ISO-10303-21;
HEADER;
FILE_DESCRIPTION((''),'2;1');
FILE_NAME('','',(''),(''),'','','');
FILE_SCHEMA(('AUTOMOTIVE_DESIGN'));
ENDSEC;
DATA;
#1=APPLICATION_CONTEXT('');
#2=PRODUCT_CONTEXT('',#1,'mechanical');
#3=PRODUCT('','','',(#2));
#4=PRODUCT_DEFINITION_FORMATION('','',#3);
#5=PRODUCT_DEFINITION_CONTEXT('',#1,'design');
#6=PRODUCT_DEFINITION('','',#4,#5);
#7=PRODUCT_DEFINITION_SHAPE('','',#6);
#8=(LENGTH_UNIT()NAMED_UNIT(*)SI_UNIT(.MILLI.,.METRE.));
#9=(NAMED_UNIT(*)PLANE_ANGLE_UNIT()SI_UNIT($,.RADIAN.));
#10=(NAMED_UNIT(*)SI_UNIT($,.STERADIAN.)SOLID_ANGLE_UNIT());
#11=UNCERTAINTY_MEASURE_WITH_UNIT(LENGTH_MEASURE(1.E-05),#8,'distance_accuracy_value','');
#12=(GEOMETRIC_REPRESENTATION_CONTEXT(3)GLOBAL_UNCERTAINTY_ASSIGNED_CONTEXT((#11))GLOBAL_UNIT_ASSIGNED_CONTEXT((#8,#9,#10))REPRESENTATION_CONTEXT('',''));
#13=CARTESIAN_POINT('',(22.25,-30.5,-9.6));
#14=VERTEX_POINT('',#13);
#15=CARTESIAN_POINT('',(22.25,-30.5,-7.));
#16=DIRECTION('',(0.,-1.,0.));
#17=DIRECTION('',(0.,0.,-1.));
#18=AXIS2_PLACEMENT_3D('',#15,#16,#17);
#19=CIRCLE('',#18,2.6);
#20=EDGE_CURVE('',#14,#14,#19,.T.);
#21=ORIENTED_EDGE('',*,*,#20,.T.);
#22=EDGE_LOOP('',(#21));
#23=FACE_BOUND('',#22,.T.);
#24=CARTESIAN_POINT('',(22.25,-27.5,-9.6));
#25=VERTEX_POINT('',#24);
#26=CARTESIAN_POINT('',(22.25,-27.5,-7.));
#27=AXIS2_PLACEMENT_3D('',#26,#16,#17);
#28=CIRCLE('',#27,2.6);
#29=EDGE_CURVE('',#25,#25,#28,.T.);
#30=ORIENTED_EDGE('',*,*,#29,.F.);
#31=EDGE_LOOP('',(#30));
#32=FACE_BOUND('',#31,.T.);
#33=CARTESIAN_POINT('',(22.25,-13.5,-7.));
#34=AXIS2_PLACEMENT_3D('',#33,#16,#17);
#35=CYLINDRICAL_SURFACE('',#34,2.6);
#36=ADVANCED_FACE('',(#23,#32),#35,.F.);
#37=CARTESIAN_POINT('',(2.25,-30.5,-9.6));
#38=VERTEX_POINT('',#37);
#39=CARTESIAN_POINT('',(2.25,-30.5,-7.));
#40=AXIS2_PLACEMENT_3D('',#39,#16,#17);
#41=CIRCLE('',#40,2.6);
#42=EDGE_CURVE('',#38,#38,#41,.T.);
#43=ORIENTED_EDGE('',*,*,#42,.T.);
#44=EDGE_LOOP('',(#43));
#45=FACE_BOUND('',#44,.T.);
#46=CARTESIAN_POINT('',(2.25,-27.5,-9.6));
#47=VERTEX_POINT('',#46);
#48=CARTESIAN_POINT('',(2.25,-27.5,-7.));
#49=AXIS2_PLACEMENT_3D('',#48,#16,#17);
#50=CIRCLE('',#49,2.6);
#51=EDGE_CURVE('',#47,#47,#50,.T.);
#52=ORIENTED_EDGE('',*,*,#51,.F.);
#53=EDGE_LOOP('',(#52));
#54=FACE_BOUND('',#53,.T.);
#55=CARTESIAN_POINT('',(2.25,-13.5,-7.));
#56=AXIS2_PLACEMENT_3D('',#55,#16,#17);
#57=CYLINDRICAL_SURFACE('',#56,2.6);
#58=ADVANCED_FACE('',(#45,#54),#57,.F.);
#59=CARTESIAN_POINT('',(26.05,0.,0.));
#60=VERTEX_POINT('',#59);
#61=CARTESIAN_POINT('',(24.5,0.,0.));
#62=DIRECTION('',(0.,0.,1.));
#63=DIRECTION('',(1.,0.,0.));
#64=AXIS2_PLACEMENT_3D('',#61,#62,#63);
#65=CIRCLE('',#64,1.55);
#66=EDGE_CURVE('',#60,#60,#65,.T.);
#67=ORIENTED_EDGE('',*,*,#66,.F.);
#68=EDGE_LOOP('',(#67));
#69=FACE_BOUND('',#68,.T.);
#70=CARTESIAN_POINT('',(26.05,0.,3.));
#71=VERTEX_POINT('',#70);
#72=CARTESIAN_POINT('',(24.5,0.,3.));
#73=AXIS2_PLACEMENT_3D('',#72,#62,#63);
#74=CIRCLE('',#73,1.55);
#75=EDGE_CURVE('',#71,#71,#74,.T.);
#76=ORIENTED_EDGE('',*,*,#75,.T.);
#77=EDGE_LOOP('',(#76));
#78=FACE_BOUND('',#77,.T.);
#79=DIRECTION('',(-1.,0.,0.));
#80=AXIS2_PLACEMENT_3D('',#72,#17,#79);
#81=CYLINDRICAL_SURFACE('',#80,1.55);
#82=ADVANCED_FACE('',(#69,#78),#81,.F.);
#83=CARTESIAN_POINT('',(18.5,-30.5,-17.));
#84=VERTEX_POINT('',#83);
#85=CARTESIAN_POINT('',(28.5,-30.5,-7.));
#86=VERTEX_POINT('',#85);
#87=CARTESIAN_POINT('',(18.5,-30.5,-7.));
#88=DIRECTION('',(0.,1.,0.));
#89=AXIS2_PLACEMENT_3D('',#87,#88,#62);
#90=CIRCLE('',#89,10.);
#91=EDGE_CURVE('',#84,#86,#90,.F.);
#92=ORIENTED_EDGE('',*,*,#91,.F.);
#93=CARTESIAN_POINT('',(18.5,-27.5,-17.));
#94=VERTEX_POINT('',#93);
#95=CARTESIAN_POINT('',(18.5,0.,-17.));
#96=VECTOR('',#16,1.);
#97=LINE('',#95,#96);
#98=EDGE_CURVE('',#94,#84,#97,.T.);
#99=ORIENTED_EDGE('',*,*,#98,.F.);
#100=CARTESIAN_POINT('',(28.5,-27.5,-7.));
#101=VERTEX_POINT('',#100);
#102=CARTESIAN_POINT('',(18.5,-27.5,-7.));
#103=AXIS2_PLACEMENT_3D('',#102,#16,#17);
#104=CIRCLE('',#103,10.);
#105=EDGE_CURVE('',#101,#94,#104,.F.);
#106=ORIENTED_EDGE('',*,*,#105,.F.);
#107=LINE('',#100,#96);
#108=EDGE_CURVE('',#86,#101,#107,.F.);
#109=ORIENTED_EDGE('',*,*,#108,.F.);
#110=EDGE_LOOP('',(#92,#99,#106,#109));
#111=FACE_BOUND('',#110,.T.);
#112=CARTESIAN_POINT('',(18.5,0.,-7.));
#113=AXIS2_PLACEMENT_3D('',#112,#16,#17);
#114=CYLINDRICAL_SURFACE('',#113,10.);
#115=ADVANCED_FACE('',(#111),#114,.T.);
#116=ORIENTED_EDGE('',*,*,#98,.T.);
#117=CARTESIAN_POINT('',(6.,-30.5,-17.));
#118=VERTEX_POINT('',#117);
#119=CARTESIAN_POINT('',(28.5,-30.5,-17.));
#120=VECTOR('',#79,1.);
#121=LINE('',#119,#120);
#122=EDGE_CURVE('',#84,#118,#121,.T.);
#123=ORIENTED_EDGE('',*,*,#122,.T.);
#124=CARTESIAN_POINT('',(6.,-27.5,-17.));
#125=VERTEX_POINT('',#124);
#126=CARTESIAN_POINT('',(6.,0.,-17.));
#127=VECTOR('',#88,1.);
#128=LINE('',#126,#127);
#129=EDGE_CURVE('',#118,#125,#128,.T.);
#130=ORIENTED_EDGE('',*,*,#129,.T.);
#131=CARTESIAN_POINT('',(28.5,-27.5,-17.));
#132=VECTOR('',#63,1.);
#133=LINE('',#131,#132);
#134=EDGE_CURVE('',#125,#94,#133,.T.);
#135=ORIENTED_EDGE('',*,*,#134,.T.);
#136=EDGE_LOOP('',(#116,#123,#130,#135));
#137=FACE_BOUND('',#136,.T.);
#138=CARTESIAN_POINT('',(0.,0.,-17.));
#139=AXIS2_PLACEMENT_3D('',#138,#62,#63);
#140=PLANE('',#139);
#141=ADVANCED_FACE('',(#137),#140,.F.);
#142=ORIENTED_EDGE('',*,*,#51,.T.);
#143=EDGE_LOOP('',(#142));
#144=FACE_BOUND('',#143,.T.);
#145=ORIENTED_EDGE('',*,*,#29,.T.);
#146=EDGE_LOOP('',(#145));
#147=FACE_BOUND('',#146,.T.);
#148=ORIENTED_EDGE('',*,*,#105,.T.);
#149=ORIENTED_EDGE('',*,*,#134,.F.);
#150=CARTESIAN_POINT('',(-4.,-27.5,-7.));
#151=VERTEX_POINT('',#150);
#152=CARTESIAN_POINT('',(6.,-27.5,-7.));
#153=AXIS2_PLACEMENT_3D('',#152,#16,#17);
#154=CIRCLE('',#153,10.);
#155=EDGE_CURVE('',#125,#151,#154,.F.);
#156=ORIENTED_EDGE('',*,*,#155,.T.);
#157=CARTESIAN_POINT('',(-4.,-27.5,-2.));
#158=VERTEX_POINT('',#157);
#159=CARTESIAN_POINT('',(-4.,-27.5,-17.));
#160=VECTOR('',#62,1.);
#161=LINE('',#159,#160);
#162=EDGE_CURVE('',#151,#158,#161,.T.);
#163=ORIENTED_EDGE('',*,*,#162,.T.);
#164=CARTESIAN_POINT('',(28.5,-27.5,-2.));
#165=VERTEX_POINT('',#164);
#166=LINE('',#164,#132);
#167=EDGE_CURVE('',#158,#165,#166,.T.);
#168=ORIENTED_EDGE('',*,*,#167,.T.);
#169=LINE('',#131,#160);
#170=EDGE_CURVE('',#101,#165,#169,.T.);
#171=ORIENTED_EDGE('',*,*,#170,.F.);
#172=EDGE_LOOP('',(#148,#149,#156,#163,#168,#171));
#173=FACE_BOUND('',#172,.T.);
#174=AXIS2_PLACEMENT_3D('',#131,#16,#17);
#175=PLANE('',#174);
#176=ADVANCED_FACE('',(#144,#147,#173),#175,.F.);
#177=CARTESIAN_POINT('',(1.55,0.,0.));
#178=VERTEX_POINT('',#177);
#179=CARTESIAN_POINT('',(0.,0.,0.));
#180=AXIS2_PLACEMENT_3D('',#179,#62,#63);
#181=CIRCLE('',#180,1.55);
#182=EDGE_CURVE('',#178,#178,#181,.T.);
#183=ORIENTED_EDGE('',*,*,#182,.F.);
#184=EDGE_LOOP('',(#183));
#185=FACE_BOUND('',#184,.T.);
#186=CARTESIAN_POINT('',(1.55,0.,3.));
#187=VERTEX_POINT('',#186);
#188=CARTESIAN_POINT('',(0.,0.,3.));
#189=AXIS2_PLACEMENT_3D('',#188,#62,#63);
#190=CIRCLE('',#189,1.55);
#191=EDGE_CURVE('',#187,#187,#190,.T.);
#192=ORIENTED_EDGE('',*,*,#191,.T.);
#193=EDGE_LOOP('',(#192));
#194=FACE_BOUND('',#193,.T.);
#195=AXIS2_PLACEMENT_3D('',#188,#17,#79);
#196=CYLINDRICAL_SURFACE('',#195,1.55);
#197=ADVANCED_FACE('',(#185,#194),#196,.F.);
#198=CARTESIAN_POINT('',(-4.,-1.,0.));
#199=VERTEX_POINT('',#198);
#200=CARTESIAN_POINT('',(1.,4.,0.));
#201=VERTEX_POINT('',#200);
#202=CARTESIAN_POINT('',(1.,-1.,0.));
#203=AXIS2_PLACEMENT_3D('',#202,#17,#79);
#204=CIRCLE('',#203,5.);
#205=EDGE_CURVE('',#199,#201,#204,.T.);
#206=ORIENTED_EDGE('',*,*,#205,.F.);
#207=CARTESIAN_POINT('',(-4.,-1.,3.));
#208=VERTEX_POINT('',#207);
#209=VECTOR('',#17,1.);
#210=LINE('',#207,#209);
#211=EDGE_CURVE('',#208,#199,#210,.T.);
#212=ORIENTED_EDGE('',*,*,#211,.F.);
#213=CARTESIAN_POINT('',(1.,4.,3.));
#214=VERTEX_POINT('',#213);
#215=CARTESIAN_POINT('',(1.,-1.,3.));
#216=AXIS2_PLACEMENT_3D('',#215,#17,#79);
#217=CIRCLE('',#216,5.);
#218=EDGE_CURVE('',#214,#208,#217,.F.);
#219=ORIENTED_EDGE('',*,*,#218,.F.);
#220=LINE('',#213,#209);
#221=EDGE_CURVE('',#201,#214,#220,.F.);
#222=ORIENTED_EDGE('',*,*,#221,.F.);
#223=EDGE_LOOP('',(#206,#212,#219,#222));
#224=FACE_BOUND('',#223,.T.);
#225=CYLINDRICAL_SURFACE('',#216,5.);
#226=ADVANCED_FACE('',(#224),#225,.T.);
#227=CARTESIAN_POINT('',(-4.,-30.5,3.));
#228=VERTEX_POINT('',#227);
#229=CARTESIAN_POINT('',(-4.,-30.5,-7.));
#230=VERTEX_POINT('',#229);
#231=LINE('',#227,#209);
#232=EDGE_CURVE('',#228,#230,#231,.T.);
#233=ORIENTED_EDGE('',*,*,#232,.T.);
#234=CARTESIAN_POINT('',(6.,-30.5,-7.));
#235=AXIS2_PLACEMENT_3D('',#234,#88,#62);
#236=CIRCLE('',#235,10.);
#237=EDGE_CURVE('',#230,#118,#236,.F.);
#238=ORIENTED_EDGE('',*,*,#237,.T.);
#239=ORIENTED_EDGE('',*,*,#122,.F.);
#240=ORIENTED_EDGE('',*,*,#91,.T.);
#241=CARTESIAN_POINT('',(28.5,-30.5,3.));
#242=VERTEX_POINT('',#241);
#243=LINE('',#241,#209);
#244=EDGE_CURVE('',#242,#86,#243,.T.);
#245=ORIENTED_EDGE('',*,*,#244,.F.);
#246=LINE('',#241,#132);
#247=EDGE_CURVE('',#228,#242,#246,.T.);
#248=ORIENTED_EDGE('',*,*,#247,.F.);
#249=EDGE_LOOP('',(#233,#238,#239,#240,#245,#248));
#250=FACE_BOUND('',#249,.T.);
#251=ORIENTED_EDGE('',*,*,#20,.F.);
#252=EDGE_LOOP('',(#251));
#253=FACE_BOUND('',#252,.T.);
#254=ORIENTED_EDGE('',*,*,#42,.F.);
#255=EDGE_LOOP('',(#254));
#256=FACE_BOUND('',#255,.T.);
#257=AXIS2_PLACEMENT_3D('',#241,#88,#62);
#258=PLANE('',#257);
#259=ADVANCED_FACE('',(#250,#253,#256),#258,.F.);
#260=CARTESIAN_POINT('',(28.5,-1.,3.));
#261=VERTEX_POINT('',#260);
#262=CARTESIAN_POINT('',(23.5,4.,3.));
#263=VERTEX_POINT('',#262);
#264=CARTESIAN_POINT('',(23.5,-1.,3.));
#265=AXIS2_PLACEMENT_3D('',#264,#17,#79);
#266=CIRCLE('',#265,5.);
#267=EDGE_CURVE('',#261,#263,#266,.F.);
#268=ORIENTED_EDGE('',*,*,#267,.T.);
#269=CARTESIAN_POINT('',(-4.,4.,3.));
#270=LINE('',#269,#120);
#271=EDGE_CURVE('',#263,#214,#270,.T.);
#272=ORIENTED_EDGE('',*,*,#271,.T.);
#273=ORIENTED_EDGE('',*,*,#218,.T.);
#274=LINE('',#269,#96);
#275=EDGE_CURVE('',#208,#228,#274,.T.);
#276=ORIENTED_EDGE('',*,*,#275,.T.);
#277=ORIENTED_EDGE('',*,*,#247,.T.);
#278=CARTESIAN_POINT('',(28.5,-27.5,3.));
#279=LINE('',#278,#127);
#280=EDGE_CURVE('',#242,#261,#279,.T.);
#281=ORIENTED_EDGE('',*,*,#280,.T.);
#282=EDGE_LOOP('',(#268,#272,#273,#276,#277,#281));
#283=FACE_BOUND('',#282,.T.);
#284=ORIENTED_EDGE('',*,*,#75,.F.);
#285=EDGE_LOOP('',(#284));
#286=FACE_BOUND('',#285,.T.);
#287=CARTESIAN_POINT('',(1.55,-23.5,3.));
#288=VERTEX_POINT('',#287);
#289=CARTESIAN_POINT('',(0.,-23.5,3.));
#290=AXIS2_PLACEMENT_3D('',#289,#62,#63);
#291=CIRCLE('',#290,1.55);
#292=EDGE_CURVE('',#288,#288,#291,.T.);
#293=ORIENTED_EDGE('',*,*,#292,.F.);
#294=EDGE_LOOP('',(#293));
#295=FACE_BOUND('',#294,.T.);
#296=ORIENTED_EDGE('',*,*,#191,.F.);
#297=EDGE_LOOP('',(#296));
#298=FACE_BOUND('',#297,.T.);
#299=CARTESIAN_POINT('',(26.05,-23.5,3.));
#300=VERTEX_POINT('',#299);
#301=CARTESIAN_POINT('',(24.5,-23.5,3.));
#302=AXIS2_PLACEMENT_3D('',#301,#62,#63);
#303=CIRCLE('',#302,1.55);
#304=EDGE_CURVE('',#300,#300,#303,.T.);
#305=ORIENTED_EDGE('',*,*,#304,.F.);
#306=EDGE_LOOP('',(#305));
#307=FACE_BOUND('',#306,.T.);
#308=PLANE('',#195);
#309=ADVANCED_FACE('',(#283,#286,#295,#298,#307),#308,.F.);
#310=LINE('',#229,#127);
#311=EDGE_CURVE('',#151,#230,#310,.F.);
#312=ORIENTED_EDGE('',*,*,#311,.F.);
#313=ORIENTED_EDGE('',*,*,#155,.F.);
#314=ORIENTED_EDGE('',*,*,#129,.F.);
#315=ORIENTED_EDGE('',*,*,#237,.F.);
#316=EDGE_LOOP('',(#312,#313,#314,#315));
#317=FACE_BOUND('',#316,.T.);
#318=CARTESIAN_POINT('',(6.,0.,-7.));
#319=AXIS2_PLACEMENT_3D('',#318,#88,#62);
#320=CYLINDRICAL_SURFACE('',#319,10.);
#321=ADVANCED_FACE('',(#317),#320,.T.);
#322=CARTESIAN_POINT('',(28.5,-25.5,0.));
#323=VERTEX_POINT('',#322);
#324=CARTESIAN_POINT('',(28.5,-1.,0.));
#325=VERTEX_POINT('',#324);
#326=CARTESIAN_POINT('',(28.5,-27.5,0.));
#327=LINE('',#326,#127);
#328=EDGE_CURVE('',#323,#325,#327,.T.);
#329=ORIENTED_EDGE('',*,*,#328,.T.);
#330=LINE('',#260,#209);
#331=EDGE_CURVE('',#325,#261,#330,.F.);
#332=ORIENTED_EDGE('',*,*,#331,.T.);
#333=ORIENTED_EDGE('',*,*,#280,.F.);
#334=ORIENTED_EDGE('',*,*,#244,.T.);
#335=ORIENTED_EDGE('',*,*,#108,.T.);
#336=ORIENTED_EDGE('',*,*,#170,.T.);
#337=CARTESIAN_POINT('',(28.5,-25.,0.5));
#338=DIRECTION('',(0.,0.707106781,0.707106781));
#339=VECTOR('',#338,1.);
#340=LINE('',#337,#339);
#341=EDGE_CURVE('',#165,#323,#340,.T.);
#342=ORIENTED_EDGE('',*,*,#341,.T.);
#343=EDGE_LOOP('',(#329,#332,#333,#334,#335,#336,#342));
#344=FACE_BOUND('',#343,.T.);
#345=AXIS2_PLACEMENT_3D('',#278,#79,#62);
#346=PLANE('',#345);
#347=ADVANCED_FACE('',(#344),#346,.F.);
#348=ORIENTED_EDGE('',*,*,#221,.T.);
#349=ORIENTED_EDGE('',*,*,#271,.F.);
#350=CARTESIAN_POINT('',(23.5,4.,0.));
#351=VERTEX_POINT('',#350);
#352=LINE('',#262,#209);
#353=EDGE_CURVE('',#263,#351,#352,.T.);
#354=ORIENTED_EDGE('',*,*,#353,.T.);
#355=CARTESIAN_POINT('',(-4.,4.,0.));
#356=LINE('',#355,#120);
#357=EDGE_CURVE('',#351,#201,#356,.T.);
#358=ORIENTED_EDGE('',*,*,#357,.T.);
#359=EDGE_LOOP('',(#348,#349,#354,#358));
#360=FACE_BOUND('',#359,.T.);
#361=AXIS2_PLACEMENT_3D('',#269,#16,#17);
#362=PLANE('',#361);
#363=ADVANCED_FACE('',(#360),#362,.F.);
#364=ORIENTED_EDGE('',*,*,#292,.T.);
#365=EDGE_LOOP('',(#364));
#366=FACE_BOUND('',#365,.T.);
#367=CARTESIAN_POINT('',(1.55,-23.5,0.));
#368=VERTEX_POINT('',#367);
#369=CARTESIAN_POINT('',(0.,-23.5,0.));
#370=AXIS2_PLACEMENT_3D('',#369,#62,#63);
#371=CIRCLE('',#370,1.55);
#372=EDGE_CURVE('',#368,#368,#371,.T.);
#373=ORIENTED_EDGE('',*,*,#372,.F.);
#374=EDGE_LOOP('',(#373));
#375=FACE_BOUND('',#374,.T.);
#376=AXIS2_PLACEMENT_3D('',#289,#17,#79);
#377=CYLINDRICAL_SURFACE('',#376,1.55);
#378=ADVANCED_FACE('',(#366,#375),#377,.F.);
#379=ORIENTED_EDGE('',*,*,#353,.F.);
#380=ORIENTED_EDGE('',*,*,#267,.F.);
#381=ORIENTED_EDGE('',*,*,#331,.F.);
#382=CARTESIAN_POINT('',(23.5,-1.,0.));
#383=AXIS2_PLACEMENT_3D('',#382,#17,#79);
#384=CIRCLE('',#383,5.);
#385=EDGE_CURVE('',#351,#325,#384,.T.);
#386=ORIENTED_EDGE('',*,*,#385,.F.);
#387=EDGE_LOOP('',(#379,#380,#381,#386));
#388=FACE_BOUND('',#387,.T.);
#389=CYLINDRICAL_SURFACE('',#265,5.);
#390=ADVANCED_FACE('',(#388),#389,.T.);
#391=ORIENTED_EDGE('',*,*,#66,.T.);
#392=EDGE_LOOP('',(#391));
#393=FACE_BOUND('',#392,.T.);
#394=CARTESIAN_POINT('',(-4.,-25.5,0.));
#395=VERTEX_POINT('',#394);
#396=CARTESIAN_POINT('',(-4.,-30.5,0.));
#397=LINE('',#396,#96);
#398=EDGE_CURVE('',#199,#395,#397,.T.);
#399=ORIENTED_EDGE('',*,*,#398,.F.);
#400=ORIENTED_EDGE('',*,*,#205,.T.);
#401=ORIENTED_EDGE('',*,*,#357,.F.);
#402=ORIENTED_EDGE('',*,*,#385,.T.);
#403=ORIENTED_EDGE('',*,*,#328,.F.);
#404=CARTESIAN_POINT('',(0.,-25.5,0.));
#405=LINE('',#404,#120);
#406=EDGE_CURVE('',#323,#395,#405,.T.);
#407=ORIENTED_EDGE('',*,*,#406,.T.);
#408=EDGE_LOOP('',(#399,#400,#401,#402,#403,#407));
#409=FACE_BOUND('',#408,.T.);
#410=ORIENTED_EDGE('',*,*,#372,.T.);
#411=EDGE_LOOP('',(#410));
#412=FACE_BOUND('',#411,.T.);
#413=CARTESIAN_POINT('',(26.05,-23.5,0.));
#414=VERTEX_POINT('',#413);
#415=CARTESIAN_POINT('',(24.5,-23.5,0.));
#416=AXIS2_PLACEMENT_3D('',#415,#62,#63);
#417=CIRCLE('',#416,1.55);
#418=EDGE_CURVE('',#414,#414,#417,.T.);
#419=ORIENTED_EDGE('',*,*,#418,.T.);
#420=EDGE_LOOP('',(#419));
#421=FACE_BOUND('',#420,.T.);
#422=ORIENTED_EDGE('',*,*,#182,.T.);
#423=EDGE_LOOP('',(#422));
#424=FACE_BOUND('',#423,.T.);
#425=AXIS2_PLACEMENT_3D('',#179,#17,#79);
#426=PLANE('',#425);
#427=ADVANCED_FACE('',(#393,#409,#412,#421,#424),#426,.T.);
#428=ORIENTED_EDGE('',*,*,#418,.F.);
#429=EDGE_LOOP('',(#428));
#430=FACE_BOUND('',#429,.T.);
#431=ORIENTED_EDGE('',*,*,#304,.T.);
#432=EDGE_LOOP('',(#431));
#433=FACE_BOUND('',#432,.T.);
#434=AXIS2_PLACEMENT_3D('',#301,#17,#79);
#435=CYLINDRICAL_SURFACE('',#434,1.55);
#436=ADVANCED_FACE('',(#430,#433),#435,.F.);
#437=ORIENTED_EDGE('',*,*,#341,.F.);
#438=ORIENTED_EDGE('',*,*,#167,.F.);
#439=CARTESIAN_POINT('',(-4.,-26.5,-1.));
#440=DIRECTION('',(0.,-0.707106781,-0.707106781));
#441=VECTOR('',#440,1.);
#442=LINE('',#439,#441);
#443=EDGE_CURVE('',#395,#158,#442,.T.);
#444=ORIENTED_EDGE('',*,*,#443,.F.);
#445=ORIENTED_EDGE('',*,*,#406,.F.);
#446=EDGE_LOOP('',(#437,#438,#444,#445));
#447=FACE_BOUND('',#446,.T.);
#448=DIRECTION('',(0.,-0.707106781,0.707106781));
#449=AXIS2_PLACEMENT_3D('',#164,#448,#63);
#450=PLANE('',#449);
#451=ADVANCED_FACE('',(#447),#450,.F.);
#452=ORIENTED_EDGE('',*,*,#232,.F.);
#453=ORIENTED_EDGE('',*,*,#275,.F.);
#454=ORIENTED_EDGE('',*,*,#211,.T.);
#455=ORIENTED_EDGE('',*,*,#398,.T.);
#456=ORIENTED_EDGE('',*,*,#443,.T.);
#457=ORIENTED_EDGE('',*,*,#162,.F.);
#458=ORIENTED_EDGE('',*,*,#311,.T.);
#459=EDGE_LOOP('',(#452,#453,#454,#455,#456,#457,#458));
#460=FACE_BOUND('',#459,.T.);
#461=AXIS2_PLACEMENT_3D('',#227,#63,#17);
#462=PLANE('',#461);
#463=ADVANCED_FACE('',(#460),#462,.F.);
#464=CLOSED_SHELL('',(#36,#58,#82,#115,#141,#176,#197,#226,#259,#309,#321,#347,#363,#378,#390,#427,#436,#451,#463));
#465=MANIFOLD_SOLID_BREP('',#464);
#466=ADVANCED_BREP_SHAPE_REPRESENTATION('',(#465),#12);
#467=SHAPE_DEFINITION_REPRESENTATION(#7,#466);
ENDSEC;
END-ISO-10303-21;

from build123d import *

# Parameters (mm, degrees)
SKETCH_1_R          = 1.55
EXTRUDE_1_DEPTH     = 3
SKETCH_2_W          = 32.5
SKETCH_2_H          = 3
EXTRUDE_2_DEPTH     = 17
SKETCH_3_R          = 2.6
CUT_EXTRUDE_1_DEPTH = 17
CHAMFER_1_SIZE      = 2
FILLET_1_R          = 10
FILLET_2_R          = 5


with BuildPart() as part:
    # 草图1 → 凸台-拉伸1 (new body)
    with BuildSketch(Plane.XY):
        Polygon((28.5, -27.5), (28.5, -30.5), (-4, -30.5), (-4, -27.5), (-4, 4), (28.5, 4), align=None)
        Circle(SKETCH_1_R, mode=Mode.SUBTRACT)
        with Locations((24.5, 0)):
            Circle(SKETCH_1_R, mode=Mode.SUBTRACT)
        with Locations((0, -23.5)):
            Circle(SKETCH_1_R, mode=Mode.SUBTRACT)
        with Locations((24.5, -23.5)):
            Circle(SKETCH_1_R, mode=Mode.SUBTRACT)
    extrude(amount=EXTRUDE_1_DEPTH)

    # 草图2 → 凸台-拉伸2 (add)
    with BuildSketch(Plane(origin=(0, 0, 0), x_dir=(-1, 0, 0), z_dir=(0, 0, -1))):
        with Locations((-12.25, -29)):
            Rectangle(SKETCH_2_W, SKETCH_2_H)
    extrude(amount=EXTRUDE_2_DEPTH)

    # 草图3 → 切除-拉伸1 (cut)
    with BuildSketch(Plane.XZ.offset(30.5)):
        with Locations(Location((22.25, -7, 0), (0, 0, 270))):
            Circle(SKETCH_3_R)
        with Locations(Location((2.25, -7, 0), (0, 0, 270))):
            Circle(SKETCH_3_R)
    extrude(amount=-CUT_EXTRUDE_1_DEPTH, mode=Mode.SUBTRACT)

    # 倒角1
    chamfer_1_edges = [part.edges().sort_by_distance(p)[0] for p in [
        (12.25, -27.5, 0),
    ]]
    chamfer(chamfer_1_edges, length=CHAMFER_1_SIZE)

    # 圆角1
    fillet_1_edges = [part.edges().sort_by_distance(p)[0] for p in [
        (28.5, -29, -17),
        (-4, -29, -17),
    ]]
    fillet(fillet_1_edges, radius=FILLET_1_R)

    # 圆角2
    fillet_2_edges = [part.edges().sort_by_distance(p)[0] for p in [
        (-4, 4, 1.5),
        (28.5, 4, 1.5),
    ]]
    fillet(fillet_2_edges, radius=FILLET_2_R)


solid = part.part
